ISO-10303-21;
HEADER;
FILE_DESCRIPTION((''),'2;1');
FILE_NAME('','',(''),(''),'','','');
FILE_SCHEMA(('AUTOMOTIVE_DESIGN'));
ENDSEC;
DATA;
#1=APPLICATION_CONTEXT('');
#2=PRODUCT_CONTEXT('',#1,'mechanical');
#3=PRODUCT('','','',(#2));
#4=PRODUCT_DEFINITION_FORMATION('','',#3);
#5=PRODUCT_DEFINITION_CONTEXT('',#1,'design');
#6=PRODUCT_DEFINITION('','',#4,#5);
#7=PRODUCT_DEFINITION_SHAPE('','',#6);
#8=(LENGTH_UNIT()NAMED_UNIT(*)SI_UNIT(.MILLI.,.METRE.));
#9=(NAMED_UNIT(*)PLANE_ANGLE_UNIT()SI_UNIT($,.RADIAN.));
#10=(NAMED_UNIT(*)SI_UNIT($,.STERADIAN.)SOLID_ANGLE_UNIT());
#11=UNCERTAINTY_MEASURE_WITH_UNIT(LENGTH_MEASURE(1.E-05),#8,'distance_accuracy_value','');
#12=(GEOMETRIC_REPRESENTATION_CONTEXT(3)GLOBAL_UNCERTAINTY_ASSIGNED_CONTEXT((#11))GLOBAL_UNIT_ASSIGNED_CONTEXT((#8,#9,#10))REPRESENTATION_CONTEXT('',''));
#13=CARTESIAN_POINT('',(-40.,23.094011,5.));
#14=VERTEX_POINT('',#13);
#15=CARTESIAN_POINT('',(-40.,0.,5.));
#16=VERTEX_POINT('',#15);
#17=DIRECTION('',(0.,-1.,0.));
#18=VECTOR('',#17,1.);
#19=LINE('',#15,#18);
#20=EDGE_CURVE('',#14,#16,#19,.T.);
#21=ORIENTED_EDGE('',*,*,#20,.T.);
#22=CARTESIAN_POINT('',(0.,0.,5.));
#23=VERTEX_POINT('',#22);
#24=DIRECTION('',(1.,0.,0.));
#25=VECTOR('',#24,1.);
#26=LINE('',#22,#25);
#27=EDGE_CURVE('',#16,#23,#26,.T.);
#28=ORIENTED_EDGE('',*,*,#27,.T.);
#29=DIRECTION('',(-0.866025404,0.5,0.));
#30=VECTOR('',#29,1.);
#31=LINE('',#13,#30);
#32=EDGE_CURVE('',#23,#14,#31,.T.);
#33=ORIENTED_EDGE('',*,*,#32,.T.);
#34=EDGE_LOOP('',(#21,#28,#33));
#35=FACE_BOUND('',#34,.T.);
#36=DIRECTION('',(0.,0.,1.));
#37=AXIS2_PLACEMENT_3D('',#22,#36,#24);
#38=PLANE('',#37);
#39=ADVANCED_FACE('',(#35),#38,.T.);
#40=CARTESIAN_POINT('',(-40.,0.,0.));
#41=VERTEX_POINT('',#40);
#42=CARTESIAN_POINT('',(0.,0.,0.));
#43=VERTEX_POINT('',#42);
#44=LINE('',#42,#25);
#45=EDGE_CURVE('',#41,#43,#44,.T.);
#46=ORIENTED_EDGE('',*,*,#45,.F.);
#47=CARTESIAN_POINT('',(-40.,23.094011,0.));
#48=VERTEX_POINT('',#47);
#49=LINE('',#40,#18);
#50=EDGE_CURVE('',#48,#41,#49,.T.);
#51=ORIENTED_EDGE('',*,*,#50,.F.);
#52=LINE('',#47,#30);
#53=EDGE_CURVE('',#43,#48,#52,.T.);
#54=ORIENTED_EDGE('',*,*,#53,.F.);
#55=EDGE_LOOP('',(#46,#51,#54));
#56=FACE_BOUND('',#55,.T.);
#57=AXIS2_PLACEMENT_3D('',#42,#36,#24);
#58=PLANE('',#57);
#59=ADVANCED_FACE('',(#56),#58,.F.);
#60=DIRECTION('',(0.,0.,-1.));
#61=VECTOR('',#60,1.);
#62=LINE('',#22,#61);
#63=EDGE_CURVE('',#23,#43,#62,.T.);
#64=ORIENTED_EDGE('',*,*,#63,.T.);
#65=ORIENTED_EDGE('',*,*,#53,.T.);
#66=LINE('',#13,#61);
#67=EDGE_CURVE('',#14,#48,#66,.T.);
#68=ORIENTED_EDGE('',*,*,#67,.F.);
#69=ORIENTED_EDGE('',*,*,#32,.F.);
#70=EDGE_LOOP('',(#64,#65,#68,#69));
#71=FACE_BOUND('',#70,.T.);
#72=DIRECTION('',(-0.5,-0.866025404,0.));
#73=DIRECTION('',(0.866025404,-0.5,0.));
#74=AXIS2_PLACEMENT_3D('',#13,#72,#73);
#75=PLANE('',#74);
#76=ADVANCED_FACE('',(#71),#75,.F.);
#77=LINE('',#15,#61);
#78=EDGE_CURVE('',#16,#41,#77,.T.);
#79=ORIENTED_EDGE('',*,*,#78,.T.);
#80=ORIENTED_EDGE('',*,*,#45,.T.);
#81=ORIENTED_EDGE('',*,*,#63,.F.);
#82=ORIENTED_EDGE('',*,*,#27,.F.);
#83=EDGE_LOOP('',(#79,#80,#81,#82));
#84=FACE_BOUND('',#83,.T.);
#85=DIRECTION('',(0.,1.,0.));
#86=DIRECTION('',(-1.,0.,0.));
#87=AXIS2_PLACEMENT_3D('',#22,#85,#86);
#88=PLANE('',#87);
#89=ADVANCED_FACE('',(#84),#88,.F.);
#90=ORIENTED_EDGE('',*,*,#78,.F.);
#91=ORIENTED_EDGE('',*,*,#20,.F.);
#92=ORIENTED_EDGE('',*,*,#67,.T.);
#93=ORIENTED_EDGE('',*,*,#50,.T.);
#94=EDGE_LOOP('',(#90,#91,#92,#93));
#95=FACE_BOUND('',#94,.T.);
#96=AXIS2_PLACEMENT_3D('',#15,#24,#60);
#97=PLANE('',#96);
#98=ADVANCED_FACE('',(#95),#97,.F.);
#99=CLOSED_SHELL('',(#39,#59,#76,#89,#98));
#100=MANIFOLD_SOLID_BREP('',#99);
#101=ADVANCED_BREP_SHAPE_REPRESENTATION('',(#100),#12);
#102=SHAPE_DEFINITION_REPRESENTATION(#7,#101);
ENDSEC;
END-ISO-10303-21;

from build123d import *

# Parameters (mm, degrees)
BOSS_EXTRU_1_DEPTH = 5


with BuildPart() as part:
    # Esquisse1 → Boss.-Extru.1 (new body)
    with BuildSketch(Plane.XY):
        Polygon((0, 0), (-40, 0), (-40, 23.094010768), align=None)
    extrude(amount=BOSS_EXTRU_1_DEPTH)


solid = part.part
